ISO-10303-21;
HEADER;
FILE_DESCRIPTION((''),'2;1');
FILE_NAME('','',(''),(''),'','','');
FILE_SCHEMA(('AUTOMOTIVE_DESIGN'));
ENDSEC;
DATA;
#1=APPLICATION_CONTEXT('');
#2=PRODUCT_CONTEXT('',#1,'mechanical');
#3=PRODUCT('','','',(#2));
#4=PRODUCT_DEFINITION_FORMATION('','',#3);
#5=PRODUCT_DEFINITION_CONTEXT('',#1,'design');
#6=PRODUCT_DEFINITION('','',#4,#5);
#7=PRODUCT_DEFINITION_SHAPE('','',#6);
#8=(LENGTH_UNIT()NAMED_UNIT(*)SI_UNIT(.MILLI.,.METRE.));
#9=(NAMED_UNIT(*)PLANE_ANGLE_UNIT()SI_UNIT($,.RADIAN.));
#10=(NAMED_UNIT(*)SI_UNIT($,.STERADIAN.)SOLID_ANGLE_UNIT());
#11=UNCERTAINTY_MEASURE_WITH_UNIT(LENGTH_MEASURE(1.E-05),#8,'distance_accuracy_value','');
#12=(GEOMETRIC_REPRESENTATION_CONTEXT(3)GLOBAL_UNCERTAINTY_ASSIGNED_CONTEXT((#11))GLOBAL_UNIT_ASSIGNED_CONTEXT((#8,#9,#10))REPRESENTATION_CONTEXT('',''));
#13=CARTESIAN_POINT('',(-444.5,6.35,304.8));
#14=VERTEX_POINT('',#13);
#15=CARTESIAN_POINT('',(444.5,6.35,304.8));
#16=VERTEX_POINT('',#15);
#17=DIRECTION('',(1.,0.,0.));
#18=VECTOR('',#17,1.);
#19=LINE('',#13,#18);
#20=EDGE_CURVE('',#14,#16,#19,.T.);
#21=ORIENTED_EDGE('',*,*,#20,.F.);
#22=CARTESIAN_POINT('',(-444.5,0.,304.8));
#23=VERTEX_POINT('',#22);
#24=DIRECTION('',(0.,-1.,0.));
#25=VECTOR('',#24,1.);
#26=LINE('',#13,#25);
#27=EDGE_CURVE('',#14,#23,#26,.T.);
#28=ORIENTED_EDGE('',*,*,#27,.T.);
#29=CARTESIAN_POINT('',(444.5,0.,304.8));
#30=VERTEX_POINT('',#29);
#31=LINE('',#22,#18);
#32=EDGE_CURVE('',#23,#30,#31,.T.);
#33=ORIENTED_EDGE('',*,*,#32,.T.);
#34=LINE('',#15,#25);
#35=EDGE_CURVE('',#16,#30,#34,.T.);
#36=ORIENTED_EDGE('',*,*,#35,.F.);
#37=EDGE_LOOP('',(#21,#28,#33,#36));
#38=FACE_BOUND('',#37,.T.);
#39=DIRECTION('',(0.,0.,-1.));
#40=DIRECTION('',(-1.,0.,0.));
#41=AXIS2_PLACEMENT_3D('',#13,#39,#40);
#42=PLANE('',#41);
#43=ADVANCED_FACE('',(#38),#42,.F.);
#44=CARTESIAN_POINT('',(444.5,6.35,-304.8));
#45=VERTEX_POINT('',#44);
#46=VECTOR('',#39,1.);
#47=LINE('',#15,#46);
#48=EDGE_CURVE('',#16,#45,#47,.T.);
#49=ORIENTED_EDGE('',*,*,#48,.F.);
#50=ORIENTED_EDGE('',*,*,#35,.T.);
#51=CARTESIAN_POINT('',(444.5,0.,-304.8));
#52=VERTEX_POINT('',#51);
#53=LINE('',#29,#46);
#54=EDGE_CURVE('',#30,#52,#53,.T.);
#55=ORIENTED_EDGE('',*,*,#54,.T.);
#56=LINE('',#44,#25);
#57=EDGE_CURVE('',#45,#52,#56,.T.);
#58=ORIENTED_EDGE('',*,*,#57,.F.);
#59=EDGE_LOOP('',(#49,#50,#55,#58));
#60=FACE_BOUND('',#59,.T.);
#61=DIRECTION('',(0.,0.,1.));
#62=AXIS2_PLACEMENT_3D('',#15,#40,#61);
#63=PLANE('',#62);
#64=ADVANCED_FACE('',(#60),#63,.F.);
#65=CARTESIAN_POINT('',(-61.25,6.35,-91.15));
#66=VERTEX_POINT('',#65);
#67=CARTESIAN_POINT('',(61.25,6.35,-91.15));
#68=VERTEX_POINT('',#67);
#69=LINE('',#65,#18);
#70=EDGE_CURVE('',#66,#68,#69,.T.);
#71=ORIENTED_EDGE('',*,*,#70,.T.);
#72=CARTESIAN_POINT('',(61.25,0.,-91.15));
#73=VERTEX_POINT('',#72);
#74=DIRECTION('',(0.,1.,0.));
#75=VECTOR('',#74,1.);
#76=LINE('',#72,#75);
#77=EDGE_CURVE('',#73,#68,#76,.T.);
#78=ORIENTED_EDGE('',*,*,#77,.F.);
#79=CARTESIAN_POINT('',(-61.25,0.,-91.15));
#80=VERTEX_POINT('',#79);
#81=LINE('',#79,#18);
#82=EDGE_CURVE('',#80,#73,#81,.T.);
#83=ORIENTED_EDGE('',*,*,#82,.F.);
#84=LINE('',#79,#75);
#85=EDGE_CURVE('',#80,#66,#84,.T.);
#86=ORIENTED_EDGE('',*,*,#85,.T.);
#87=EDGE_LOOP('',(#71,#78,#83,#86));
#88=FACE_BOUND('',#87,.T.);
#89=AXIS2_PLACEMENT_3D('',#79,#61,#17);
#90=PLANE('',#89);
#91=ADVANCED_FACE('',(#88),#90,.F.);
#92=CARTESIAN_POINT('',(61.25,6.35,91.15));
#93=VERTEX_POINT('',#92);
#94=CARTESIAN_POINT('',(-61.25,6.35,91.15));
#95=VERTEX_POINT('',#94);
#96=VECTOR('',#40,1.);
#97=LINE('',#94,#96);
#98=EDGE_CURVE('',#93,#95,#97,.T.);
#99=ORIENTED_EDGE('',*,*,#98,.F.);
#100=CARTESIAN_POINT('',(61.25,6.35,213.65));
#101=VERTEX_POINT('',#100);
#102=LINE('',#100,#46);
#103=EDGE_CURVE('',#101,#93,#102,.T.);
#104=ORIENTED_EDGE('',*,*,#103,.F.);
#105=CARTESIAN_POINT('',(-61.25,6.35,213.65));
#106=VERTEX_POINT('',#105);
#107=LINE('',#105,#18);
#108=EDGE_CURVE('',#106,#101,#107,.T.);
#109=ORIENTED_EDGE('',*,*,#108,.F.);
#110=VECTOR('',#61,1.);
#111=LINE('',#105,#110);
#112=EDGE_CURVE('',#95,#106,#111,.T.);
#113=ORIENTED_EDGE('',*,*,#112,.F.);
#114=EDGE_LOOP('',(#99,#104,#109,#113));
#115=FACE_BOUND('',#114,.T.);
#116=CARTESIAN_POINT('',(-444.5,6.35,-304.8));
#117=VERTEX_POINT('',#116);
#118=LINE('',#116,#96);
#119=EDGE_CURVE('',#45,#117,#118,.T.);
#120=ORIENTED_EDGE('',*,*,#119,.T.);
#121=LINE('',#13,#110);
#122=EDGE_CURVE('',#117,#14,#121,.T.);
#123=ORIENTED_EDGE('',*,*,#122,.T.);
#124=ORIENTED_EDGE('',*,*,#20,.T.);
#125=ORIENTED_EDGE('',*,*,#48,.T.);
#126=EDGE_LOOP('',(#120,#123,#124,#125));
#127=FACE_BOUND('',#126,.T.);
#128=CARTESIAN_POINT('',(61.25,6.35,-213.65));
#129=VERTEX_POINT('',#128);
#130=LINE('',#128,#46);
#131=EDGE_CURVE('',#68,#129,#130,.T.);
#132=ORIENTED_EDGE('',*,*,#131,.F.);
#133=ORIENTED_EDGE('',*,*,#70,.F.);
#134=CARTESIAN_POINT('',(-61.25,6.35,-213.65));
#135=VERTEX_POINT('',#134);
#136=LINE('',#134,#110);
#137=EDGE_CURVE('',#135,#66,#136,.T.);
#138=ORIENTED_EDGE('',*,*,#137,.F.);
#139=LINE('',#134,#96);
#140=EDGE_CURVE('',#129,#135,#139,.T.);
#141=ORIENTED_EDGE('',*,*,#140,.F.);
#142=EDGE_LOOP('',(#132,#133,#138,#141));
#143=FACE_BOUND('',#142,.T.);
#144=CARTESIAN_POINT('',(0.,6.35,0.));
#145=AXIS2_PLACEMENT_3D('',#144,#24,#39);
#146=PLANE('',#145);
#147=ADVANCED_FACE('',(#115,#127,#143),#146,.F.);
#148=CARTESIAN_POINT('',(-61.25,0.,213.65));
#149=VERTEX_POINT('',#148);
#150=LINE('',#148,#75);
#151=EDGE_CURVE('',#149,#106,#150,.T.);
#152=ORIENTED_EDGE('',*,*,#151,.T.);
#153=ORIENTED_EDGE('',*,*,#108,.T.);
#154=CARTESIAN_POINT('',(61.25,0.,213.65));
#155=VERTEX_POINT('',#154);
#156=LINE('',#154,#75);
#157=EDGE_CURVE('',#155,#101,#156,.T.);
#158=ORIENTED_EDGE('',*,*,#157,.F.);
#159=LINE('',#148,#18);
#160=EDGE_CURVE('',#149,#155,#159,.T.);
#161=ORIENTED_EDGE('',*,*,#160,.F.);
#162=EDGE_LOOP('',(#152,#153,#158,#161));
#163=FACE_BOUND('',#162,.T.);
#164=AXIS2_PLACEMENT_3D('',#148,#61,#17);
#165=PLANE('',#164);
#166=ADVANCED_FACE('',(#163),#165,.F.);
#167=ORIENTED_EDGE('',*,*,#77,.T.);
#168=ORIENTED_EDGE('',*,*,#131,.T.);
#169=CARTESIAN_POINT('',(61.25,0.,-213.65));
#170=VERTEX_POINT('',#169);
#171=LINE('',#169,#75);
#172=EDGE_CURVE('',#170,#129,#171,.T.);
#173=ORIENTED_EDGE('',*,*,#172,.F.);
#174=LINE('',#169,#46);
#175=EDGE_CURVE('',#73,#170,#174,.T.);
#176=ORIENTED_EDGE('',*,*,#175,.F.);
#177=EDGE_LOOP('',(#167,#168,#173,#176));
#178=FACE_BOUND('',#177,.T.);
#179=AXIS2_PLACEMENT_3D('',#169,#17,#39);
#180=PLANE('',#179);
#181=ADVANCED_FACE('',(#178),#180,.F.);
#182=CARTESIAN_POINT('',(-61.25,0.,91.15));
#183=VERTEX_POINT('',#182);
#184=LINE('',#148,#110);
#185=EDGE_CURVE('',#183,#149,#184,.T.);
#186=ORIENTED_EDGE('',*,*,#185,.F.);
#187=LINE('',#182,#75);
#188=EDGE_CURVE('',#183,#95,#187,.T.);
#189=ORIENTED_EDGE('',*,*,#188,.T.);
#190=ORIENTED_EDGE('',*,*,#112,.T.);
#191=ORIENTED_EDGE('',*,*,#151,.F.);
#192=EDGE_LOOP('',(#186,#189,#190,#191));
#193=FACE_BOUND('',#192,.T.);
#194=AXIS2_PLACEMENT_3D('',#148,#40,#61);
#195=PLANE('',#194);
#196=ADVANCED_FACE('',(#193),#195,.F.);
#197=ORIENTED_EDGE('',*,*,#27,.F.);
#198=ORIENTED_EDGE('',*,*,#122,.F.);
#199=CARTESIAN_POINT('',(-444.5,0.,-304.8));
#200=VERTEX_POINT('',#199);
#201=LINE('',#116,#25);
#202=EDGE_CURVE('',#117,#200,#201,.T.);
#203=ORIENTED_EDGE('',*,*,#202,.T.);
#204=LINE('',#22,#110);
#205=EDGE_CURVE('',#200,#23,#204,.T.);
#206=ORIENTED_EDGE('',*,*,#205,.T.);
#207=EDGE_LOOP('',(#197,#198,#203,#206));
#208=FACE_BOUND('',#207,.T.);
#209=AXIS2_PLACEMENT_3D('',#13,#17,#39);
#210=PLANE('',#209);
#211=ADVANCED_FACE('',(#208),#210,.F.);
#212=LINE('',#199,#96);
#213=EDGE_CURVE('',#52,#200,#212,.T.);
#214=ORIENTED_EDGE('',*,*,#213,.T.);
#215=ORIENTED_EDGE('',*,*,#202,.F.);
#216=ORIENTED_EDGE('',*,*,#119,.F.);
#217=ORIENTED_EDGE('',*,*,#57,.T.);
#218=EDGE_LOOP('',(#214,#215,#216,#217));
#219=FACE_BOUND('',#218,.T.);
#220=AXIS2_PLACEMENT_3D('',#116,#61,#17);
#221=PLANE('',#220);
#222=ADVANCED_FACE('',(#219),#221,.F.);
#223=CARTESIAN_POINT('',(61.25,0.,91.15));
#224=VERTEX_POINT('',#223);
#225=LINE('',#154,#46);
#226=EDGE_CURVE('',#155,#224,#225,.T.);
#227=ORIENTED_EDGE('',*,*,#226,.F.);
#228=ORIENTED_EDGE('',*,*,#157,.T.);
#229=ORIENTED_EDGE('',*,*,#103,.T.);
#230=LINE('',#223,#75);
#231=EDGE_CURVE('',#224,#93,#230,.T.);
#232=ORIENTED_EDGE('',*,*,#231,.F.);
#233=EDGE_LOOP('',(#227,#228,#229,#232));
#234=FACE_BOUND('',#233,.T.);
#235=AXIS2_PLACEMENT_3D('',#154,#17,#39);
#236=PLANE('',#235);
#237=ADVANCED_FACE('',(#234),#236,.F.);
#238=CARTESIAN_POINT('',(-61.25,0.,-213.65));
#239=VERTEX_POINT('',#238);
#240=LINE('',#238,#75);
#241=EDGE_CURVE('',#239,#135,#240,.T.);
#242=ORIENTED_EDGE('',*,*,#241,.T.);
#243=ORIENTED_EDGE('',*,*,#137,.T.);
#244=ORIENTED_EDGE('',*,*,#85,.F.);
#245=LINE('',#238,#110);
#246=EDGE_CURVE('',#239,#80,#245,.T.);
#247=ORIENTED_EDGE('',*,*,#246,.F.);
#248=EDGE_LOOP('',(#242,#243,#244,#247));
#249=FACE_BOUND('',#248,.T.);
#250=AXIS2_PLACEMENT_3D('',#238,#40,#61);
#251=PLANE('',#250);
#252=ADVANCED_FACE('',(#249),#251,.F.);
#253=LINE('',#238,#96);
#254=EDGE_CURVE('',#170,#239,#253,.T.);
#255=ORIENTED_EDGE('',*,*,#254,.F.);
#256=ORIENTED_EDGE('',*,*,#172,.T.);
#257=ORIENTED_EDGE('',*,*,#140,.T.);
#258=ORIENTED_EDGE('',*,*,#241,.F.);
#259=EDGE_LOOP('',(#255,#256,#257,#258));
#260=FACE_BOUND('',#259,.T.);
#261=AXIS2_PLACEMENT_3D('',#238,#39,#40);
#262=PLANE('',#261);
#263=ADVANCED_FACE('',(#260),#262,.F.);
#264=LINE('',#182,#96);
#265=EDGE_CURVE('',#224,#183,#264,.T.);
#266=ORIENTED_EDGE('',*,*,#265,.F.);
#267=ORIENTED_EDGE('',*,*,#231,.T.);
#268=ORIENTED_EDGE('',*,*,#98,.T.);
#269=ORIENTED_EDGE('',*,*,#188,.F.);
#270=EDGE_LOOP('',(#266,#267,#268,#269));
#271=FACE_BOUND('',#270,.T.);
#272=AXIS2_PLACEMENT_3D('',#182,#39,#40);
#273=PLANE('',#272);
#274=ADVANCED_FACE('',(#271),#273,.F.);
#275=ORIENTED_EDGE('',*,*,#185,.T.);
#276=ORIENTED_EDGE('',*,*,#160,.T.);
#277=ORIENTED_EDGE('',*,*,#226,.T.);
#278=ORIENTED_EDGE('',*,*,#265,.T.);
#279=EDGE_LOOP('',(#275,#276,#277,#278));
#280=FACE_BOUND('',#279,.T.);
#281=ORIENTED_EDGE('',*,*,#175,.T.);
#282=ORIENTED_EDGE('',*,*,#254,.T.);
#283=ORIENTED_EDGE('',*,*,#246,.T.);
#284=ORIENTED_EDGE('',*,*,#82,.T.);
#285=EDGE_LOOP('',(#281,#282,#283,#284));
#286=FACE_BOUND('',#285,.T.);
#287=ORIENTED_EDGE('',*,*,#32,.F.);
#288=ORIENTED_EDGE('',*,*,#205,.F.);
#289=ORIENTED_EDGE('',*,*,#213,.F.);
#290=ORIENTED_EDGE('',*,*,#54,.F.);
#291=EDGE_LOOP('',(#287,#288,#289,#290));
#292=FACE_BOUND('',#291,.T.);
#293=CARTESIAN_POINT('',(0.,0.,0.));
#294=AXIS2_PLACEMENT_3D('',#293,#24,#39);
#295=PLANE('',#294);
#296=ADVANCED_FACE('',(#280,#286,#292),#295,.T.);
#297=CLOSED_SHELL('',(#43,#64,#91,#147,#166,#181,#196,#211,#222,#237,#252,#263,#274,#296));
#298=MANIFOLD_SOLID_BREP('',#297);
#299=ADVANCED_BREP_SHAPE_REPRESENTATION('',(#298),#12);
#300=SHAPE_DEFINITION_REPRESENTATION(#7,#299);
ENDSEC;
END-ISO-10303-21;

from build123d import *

# Parameters (mm, degrees)
SKETCH1_W           = 889
SKETCH1_H           = 609.6
BOSS_EXTRUDE1_DEPTH = 6.35
SKETCH2_W           = 122.5
SKETCH2_H           = 122.5
CUT_EXTRUDE1_DEPTH  = 540.002423464


with BuildPart() as part:
    # Sketch1 → Boss-Extrude1 (new body)
    with BuildSketch(Plane(origin=(0, 0, 0), x_dir=(1, 0, 0), z_dir=(0, 1, 0))):
        Rectangle(SKETCH1_W, SKETCH1_H)
    extrude(amount=BOSS_EXTRUDE1_DEPTH)

    # Sketch2 → Cut-Extrude1 (cut, through all)
    with BuildSketch(Plane(origin=(0, 6.35, 0), x_dir=(1, 0, 0), z_dir=(0, 1, 0))):
        with Locations((0, 152.4)):
            Rectangle(SKETCH2_W, SKETCH2_H)
        with Locations((0, -152.4)):
            Rectangle(SKETCH2_W, SKETCH2_H)
    extrude(amount=-CUT_EXTRUDE1_DEPTH, mode=Mode.SUBTRACT)


solid = part.part
